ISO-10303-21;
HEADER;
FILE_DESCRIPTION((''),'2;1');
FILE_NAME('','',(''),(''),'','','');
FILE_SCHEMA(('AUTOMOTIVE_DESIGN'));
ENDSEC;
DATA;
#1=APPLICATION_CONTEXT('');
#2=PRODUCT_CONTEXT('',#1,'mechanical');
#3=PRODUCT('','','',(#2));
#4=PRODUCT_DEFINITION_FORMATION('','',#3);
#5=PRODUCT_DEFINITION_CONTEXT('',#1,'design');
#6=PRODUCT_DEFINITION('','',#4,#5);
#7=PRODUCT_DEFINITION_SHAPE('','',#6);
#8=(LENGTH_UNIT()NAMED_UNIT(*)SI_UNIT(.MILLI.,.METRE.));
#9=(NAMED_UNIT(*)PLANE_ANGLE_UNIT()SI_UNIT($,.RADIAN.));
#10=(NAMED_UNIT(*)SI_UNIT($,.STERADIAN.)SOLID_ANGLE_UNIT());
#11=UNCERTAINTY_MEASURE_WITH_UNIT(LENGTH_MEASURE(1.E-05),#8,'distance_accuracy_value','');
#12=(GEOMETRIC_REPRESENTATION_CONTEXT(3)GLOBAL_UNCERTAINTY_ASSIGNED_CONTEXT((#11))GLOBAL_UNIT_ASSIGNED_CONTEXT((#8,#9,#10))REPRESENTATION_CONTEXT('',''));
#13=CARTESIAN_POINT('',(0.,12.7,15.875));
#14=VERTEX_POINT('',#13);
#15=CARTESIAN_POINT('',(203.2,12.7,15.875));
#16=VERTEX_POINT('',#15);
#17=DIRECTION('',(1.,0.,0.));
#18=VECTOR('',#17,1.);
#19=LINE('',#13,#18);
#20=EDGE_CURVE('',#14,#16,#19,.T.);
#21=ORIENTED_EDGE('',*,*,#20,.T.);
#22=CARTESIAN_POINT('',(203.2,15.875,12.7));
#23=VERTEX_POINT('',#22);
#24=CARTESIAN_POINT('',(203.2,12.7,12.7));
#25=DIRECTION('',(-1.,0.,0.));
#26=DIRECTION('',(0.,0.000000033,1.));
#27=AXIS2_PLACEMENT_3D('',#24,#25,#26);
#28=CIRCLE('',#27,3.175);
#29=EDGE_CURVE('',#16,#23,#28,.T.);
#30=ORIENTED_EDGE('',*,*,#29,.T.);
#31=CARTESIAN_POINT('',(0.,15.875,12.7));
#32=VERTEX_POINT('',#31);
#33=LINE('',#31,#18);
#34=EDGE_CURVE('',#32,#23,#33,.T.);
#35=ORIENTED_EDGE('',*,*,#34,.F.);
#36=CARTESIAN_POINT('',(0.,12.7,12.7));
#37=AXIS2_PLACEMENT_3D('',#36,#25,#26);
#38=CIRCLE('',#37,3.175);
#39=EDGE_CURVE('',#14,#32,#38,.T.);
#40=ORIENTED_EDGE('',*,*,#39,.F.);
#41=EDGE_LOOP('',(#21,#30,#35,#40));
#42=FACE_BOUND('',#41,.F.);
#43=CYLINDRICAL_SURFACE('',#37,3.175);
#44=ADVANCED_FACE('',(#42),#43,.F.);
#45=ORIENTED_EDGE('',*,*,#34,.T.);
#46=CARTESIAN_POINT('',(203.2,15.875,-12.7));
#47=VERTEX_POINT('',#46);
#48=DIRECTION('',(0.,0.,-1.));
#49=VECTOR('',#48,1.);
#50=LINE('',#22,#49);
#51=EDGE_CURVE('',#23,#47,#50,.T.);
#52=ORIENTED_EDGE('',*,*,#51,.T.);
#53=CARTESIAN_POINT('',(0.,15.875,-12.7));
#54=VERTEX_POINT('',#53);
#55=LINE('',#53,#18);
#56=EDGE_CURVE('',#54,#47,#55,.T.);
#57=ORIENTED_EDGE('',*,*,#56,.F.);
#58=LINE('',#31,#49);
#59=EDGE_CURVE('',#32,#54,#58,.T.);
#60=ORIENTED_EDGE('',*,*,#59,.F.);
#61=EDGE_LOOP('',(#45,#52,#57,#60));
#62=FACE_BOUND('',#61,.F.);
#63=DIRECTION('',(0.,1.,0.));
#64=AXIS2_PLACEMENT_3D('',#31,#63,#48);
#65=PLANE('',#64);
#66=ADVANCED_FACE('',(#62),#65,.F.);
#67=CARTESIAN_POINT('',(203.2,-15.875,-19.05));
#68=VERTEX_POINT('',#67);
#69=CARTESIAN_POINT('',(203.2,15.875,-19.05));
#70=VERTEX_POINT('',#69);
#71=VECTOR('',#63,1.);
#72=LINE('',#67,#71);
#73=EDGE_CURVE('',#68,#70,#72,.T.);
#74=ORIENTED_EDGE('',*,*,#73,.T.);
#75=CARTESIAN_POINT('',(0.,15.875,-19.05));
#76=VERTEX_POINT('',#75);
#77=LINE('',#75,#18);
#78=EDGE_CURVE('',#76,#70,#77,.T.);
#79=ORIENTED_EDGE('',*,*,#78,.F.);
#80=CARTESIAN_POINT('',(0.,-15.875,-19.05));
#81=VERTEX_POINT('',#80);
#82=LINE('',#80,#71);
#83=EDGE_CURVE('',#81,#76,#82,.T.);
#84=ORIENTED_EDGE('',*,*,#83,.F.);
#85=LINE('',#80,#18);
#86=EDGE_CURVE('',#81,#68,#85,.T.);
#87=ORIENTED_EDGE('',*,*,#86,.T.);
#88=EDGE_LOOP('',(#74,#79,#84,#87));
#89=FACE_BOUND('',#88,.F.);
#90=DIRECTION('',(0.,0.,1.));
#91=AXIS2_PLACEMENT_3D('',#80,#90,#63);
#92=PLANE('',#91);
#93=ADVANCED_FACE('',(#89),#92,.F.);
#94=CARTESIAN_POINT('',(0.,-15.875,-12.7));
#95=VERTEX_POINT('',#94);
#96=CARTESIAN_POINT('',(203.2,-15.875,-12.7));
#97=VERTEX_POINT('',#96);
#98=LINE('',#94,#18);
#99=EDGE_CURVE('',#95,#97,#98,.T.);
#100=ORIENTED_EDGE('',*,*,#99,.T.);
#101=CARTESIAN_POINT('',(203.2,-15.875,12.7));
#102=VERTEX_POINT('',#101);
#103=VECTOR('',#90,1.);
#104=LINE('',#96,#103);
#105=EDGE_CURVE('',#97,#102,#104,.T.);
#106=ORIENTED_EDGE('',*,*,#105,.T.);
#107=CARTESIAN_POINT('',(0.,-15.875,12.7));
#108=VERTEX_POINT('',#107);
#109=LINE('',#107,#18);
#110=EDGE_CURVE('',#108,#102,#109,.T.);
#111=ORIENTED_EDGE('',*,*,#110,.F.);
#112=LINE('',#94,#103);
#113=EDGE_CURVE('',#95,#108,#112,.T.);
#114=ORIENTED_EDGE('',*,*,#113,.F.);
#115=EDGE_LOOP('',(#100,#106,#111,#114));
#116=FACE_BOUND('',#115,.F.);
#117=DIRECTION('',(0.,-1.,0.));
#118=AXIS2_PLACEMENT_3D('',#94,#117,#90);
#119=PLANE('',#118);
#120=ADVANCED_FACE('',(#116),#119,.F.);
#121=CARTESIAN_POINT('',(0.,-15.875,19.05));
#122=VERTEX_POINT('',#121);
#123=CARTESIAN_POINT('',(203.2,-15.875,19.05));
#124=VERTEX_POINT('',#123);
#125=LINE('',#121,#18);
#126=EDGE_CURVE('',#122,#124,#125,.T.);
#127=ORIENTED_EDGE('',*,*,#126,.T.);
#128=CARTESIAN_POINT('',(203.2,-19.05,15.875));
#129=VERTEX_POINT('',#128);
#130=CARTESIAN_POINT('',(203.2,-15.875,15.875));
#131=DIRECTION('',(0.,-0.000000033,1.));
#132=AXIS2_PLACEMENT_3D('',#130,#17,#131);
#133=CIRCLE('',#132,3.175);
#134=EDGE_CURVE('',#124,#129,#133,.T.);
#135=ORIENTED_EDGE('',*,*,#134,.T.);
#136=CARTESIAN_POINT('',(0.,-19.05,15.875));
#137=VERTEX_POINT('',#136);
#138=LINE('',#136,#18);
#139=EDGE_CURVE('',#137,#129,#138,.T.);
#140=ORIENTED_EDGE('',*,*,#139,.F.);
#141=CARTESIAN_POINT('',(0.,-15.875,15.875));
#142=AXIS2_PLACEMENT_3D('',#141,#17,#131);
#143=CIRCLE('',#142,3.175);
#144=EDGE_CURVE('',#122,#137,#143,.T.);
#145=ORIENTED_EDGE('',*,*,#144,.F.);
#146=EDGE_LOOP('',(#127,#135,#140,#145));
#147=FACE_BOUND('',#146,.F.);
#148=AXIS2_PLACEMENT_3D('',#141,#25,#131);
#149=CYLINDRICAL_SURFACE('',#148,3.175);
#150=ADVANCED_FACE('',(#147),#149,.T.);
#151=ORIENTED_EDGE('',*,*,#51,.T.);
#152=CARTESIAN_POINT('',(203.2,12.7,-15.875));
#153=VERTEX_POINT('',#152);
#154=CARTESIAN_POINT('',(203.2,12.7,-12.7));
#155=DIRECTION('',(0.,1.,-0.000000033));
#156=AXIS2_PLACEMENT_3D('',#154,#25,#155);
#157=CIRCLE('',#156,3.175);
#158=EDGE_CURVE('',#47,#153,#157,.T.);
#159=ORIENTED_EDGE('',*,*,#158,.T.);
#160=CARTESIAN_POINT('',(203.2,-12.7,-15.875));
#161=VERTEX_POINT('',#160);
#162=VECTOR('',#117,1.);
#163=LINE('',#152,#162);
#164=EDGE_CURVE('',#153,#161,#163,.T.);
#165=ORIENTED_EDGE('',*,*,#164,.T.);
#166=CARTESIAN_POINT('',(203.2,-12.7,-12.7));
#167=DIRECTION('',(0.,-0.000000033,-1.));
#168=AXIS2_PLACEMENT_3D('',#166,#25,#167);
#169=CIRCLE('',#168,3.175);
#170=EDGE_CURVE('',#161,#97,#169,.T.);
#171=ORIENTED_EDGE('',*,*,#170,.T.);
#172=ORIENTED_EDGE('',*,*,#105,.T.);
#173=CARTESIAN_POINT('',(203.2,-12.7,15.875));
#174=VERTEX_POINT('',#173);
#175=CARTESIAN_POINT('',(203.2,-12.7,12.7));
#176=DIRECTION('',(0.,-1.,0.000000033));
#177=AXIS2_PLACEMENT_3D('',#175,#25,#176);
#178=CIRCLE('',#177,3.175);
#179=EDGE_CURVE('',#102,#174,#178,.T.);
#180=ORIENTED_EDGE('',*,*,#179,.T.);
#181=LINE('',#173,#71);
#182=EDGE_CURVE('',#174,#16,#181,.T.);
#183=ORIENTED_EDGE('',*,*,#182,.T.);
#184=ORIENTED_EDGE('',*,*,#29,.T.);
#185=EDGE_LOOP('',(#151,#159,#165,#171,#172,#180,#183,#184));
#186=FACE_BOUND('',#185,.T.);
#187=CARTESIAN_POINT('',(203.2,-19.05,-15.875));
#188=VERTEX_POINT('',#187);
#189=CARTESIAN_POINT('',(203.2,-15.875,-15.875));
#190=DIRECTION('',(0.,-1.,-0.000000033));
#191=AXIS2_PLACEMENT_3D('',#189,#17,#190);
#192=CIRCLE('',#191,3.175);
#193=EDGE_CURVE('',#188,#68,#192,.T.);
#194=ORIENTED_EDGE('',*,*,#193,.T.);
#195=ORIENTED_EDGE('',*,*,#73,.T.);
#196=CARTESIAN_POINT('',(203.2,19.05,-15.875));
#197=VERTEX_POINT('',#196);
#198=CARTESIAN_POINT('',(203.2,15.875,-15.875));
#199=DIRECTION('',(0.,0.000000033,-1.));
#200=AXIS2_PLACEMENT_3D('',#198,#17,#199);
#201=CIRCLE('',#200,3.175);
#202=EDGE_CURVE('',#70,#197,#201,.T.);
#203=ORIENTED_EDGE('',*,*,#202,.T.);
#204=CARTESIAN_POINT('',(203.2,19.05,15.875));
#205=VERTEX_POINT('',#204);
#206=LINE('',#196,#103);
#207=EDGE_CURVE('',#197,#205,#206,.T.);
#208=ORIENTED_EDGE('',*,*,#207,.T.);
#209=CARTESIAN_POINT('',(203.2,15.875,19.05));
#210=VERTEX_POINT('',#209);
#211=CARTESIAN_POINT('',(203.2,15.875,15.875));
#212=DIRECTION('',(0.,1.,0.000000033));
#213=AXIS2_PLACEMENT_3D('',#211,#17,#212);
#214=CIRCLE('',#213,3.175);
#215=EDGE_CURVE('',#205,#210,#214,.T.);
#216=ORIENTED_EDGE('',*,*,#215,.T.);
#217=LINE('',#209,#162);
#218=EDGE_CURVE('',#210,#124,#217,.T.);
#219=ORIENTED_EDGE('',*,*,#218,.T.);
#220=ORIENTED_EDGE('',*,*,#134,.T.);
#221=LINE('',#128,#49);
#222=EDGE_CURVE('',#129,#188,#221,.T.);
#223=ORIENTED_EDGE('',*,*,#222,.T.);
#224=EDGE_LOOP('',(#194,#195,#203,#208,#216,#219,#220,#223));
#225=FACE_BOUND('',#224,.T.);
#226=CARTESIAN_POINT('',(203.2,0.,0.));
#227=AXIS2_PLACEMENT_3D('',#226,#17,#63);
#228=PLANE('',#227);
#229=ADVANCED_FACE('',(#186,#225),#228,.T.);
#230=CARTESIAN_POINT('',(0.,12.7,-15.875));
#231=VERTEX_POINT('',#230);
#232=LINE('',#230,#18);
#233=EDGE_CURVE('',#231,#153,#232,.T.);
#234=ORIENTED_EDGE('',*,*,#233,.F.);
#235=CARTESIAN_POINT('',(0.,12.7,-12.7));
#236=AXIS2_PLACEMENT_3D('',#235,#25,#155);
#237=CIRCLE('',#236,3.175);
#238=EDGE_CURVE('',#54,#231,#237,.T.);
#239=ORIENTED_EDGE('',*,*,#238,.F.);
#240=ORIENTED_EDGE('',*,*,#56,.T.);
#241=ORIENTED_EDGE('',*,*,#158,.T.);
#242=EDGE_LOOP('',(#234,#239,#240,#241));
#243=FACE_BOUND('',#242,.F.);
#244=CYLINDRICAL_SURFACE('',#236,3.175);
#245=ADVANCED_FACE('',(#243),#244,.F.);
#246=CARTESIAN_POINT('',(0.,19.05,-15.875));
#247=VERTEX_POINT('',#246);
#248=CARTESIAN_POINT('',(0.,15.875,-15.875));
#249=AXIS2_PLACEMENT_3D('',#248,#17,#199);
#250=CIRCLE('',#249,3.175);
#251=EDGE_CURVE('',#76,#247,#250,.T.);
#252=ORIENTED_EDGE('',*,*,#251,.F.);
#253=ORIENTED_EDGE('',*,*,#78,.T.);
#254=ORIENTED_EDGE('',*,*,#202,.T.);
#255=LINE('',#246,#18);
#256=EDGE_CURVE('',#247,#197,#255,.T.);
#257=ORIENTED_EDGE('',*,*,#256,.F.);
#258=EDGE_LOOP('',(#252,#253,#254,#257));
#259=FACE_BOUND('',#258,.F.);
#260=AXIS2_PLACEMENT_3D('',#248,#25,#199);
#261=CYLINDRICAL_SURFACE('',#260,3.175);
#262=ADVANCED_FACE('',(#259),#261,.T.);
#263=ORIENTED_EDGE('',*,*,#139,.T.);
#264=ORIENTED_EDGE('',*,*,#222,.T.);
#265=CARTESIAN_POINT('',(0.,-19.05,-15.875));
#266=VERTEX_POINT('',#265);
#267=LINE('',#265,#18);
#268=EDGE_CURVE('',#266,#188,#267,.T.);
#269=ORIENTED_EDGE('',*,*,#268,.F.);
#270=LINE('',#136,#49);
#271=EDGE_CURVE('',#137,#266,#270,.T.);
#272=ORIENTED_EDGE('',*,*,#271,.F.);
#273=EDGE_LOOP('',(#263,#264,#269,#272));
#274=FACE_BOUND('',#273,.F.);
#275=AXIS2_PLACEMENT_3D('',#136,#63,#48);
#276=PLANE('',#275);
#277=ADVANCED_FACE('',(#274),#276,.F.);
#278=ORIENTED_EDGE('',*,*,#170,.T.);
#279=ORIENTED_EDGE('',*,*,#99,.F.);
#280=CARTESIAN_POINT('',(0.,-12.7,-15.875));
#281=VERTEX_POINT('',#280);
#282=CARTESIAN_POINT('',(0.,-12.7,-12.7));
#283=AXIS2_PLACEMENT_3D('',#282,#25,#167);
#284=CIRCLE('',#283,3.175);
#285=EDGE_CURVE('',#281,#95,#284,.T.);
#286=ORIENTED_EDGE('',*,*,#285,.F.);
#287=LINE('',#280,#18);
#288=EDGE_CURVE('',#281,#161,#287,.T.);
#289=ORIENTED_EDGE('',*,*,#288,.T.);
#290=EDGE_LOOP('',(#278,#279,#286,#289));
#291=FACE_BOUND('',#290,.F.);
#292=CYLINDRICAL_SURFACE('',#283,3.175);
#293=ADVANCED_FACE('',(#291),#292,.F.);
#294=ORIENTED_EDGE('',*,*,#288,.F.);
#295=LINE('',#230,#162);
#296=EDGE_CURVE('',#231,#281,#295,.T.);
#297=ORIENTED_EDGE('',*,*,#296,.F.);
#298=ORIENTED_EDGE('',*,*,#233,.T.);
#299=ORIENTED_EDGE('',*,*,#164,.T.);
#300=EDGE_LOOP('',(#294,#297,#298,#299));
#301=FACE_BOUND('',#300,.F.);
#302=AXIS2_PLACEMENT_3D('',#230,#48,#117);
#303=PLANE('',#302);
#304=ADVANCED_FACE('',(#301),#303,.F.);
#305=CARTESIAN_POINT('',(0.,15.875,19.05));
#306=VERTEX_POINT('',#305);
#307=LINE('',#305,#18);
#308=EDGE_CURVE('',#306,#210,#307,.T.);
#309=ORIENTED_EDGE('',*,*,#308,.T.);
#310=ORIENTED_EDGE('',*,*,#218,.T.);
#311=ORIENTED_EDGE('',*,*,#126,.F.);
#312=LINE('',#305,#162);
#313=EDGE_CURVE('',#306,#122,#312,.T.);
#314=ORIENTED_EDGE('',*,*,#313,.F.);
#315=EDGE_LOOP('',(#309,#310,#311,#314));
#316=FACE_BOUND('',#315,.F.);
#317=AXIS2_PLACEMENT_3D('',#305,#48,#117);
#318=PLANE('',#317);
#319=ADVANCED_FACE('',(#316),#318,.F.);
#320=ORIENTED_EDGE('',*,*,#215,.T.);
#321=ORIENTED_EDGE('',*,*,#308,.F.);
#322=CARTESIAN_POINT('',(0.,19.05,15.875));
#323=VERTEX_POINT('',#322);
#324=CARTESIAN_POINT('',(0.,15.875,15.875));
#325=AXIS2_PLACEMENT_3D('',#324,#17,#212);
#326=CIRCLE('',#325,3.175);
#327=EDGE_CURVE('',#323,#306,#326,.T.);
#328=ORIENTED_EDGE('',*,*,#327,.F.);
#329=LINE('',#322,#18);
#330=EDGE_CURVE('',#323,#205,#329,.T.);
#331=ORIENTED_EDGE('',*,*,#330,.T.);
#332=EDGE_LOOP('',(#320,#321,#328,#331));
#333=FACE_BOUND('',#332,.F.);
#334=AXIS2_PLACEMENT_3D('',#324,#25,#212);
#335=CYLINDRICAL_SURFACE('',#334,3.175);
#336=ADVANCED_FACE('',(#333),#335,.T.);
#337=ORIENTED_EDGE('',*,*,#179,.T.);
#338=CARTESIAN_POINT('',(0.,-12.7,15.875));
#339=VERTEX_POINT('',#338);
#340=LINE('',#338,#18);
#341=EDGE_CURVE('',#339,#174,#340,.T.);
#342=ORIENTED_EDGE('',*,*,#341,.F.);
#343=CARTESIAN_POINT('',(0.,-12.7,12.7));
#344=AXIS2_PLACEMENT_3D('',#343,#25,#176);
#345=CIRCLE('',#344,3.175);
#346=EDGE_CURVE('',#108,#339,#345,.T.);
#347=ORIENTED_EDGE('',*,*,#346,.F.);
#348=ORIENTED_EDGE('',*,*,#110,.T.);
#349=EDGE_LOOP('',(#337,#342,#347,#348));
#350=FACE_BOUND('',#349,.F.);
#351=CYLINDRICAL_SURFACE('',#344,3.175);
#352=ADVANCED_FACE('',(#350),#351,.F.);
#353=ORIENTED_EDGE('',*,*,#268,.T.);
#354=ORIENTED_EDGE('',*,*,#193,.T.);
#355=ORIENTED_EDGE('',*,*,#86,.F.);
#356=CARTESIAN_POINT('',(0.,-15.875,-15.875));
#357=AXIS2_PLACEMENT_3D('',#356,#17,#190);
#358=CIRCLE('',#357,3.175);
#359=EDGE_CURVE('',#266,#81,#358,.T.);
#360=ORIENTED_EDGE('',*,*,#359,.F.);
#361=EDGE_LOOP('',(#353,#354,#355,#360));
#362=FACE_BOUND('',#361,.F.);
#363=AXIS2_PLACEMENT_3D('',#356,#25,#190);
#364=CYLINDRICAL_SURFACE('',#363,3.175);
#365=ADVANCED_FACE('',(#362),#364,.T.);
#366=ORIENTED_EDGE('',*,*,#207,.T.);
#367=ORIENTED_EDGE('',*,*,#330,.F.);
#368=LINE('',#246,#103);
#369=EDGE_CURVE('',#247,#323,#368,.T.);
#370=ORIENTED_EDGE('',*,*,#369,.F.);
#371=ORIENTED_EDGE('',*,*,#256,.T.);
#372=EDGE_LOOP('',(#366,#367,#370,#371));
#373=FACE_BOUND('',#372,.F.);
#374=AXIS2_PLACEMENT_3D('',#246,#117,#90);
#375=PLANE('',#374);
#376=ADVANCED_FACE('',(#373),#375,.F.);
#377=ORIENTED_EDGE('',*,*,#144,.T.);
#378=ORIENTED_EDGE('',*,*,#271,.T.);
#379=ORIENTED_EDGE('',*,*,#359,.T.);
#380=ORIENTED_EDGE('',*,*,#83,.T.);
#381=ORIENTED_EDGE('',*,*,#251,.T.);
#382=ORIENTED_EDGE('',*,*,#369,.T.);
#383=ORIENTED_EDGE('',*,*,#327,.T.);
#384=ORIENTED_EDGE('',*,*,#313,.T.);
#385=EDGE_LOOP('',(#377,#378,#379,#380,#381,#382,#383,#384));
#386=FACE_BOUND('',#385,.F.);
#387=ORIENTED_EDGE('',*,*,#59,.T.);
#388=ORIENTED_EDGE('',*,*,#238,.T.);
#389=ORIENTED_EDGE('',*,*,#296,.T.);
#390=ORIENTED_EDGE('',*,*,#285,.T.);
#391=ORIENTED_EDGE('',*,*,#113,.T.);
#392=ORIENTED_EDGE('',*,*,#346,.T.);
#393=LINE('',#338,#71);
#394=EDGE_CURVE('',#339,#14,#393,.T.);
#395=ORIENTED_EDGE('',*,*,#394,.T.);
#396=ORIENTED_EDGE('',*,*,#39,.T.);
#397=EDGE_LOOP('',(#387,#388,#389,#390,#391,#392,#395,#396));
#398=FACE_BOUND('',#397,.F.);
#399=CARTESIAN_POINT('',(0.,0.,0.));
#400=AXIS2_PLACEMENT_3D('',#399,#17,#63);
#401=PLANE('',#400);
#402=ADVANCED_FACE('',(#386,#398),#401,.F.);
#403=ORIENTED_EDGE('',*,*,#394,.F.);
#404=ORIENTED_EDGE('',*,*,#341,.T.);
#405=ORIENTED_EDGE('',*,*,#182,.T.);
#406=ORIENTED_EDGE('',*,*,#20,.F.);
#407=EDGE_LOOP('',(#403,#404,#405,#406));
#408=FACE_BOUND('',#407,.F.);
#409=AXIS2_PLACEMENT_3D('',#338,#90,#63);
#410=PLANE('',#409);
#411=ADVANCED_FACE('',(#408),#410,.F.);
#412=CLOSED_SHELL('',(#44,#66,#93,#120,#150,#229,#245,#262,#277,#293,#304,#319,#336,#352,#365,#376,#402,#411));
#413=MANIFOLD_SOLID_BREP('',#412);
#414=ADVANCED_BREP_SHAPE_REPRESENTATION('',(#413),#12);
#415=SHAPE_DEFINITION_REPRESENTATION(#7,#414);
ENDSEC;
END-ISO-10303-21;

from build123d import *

# Parameters (mm, degrees)
F1_DEPTH = 203.2


with BuildPart() as f1:
    # F0 (on Right) → F1 (new body)
    with BuildSketch(Plane.YZ):
        with BuildLine():
            ThreePointArc((19.05, 15.875), (18.120064, 18.120064), (15.875, 19.05))
            Line((15.875, 19.05), (-15.875, 19.05))
            ThreePointArc((-15.875, 19.05), (-18.120064, 18.120064), (-19.05, 15.875))
            Line((-19.05, 15.875), (-19.05, -15.875))
            ThreePointArc((-19.05, -15.875), (-18.120064, -18.120064), (-15.875, -19.05))
            Line((-15.875, -19.05), (15.875, -19.05))
            ThreePointArc((15.875, -19.05), (18.120064, -18.120064), (19.05, -15.875))
            Line((19.05, -15.875), (19.05, 15.875))
        make_face()
        with BuildLine():
            Line((-12.7, 15.875), (12.7, 15.875))
            ThreePointArc((12.7, 15.875), (14.945064, 14.945064), (15.875, 12.7))
            Line((15.875, 12.7), (15.875, -12.7))
            ThreePointArc((15.875, -12.7), (14.945064, -14.945064), (12.7, -15.875))
            Line((12.7, -15.875), (-12.7, -15.875))
            ThreePointArc((-12.7, -15.875), (-14.945064, -14.945064), (-15.875, -12.7))
            Line((-15.875, -12.7), (-15.875, 12.7))
            ThreePointArc((-15.875, 12.7), (-14.945064, 14.945064), (-12.7, 15.875))
        make_face(mode=Mode.SUBTRACT)
    extrude(amount=F1_DEPTH)


solid = f1.part
